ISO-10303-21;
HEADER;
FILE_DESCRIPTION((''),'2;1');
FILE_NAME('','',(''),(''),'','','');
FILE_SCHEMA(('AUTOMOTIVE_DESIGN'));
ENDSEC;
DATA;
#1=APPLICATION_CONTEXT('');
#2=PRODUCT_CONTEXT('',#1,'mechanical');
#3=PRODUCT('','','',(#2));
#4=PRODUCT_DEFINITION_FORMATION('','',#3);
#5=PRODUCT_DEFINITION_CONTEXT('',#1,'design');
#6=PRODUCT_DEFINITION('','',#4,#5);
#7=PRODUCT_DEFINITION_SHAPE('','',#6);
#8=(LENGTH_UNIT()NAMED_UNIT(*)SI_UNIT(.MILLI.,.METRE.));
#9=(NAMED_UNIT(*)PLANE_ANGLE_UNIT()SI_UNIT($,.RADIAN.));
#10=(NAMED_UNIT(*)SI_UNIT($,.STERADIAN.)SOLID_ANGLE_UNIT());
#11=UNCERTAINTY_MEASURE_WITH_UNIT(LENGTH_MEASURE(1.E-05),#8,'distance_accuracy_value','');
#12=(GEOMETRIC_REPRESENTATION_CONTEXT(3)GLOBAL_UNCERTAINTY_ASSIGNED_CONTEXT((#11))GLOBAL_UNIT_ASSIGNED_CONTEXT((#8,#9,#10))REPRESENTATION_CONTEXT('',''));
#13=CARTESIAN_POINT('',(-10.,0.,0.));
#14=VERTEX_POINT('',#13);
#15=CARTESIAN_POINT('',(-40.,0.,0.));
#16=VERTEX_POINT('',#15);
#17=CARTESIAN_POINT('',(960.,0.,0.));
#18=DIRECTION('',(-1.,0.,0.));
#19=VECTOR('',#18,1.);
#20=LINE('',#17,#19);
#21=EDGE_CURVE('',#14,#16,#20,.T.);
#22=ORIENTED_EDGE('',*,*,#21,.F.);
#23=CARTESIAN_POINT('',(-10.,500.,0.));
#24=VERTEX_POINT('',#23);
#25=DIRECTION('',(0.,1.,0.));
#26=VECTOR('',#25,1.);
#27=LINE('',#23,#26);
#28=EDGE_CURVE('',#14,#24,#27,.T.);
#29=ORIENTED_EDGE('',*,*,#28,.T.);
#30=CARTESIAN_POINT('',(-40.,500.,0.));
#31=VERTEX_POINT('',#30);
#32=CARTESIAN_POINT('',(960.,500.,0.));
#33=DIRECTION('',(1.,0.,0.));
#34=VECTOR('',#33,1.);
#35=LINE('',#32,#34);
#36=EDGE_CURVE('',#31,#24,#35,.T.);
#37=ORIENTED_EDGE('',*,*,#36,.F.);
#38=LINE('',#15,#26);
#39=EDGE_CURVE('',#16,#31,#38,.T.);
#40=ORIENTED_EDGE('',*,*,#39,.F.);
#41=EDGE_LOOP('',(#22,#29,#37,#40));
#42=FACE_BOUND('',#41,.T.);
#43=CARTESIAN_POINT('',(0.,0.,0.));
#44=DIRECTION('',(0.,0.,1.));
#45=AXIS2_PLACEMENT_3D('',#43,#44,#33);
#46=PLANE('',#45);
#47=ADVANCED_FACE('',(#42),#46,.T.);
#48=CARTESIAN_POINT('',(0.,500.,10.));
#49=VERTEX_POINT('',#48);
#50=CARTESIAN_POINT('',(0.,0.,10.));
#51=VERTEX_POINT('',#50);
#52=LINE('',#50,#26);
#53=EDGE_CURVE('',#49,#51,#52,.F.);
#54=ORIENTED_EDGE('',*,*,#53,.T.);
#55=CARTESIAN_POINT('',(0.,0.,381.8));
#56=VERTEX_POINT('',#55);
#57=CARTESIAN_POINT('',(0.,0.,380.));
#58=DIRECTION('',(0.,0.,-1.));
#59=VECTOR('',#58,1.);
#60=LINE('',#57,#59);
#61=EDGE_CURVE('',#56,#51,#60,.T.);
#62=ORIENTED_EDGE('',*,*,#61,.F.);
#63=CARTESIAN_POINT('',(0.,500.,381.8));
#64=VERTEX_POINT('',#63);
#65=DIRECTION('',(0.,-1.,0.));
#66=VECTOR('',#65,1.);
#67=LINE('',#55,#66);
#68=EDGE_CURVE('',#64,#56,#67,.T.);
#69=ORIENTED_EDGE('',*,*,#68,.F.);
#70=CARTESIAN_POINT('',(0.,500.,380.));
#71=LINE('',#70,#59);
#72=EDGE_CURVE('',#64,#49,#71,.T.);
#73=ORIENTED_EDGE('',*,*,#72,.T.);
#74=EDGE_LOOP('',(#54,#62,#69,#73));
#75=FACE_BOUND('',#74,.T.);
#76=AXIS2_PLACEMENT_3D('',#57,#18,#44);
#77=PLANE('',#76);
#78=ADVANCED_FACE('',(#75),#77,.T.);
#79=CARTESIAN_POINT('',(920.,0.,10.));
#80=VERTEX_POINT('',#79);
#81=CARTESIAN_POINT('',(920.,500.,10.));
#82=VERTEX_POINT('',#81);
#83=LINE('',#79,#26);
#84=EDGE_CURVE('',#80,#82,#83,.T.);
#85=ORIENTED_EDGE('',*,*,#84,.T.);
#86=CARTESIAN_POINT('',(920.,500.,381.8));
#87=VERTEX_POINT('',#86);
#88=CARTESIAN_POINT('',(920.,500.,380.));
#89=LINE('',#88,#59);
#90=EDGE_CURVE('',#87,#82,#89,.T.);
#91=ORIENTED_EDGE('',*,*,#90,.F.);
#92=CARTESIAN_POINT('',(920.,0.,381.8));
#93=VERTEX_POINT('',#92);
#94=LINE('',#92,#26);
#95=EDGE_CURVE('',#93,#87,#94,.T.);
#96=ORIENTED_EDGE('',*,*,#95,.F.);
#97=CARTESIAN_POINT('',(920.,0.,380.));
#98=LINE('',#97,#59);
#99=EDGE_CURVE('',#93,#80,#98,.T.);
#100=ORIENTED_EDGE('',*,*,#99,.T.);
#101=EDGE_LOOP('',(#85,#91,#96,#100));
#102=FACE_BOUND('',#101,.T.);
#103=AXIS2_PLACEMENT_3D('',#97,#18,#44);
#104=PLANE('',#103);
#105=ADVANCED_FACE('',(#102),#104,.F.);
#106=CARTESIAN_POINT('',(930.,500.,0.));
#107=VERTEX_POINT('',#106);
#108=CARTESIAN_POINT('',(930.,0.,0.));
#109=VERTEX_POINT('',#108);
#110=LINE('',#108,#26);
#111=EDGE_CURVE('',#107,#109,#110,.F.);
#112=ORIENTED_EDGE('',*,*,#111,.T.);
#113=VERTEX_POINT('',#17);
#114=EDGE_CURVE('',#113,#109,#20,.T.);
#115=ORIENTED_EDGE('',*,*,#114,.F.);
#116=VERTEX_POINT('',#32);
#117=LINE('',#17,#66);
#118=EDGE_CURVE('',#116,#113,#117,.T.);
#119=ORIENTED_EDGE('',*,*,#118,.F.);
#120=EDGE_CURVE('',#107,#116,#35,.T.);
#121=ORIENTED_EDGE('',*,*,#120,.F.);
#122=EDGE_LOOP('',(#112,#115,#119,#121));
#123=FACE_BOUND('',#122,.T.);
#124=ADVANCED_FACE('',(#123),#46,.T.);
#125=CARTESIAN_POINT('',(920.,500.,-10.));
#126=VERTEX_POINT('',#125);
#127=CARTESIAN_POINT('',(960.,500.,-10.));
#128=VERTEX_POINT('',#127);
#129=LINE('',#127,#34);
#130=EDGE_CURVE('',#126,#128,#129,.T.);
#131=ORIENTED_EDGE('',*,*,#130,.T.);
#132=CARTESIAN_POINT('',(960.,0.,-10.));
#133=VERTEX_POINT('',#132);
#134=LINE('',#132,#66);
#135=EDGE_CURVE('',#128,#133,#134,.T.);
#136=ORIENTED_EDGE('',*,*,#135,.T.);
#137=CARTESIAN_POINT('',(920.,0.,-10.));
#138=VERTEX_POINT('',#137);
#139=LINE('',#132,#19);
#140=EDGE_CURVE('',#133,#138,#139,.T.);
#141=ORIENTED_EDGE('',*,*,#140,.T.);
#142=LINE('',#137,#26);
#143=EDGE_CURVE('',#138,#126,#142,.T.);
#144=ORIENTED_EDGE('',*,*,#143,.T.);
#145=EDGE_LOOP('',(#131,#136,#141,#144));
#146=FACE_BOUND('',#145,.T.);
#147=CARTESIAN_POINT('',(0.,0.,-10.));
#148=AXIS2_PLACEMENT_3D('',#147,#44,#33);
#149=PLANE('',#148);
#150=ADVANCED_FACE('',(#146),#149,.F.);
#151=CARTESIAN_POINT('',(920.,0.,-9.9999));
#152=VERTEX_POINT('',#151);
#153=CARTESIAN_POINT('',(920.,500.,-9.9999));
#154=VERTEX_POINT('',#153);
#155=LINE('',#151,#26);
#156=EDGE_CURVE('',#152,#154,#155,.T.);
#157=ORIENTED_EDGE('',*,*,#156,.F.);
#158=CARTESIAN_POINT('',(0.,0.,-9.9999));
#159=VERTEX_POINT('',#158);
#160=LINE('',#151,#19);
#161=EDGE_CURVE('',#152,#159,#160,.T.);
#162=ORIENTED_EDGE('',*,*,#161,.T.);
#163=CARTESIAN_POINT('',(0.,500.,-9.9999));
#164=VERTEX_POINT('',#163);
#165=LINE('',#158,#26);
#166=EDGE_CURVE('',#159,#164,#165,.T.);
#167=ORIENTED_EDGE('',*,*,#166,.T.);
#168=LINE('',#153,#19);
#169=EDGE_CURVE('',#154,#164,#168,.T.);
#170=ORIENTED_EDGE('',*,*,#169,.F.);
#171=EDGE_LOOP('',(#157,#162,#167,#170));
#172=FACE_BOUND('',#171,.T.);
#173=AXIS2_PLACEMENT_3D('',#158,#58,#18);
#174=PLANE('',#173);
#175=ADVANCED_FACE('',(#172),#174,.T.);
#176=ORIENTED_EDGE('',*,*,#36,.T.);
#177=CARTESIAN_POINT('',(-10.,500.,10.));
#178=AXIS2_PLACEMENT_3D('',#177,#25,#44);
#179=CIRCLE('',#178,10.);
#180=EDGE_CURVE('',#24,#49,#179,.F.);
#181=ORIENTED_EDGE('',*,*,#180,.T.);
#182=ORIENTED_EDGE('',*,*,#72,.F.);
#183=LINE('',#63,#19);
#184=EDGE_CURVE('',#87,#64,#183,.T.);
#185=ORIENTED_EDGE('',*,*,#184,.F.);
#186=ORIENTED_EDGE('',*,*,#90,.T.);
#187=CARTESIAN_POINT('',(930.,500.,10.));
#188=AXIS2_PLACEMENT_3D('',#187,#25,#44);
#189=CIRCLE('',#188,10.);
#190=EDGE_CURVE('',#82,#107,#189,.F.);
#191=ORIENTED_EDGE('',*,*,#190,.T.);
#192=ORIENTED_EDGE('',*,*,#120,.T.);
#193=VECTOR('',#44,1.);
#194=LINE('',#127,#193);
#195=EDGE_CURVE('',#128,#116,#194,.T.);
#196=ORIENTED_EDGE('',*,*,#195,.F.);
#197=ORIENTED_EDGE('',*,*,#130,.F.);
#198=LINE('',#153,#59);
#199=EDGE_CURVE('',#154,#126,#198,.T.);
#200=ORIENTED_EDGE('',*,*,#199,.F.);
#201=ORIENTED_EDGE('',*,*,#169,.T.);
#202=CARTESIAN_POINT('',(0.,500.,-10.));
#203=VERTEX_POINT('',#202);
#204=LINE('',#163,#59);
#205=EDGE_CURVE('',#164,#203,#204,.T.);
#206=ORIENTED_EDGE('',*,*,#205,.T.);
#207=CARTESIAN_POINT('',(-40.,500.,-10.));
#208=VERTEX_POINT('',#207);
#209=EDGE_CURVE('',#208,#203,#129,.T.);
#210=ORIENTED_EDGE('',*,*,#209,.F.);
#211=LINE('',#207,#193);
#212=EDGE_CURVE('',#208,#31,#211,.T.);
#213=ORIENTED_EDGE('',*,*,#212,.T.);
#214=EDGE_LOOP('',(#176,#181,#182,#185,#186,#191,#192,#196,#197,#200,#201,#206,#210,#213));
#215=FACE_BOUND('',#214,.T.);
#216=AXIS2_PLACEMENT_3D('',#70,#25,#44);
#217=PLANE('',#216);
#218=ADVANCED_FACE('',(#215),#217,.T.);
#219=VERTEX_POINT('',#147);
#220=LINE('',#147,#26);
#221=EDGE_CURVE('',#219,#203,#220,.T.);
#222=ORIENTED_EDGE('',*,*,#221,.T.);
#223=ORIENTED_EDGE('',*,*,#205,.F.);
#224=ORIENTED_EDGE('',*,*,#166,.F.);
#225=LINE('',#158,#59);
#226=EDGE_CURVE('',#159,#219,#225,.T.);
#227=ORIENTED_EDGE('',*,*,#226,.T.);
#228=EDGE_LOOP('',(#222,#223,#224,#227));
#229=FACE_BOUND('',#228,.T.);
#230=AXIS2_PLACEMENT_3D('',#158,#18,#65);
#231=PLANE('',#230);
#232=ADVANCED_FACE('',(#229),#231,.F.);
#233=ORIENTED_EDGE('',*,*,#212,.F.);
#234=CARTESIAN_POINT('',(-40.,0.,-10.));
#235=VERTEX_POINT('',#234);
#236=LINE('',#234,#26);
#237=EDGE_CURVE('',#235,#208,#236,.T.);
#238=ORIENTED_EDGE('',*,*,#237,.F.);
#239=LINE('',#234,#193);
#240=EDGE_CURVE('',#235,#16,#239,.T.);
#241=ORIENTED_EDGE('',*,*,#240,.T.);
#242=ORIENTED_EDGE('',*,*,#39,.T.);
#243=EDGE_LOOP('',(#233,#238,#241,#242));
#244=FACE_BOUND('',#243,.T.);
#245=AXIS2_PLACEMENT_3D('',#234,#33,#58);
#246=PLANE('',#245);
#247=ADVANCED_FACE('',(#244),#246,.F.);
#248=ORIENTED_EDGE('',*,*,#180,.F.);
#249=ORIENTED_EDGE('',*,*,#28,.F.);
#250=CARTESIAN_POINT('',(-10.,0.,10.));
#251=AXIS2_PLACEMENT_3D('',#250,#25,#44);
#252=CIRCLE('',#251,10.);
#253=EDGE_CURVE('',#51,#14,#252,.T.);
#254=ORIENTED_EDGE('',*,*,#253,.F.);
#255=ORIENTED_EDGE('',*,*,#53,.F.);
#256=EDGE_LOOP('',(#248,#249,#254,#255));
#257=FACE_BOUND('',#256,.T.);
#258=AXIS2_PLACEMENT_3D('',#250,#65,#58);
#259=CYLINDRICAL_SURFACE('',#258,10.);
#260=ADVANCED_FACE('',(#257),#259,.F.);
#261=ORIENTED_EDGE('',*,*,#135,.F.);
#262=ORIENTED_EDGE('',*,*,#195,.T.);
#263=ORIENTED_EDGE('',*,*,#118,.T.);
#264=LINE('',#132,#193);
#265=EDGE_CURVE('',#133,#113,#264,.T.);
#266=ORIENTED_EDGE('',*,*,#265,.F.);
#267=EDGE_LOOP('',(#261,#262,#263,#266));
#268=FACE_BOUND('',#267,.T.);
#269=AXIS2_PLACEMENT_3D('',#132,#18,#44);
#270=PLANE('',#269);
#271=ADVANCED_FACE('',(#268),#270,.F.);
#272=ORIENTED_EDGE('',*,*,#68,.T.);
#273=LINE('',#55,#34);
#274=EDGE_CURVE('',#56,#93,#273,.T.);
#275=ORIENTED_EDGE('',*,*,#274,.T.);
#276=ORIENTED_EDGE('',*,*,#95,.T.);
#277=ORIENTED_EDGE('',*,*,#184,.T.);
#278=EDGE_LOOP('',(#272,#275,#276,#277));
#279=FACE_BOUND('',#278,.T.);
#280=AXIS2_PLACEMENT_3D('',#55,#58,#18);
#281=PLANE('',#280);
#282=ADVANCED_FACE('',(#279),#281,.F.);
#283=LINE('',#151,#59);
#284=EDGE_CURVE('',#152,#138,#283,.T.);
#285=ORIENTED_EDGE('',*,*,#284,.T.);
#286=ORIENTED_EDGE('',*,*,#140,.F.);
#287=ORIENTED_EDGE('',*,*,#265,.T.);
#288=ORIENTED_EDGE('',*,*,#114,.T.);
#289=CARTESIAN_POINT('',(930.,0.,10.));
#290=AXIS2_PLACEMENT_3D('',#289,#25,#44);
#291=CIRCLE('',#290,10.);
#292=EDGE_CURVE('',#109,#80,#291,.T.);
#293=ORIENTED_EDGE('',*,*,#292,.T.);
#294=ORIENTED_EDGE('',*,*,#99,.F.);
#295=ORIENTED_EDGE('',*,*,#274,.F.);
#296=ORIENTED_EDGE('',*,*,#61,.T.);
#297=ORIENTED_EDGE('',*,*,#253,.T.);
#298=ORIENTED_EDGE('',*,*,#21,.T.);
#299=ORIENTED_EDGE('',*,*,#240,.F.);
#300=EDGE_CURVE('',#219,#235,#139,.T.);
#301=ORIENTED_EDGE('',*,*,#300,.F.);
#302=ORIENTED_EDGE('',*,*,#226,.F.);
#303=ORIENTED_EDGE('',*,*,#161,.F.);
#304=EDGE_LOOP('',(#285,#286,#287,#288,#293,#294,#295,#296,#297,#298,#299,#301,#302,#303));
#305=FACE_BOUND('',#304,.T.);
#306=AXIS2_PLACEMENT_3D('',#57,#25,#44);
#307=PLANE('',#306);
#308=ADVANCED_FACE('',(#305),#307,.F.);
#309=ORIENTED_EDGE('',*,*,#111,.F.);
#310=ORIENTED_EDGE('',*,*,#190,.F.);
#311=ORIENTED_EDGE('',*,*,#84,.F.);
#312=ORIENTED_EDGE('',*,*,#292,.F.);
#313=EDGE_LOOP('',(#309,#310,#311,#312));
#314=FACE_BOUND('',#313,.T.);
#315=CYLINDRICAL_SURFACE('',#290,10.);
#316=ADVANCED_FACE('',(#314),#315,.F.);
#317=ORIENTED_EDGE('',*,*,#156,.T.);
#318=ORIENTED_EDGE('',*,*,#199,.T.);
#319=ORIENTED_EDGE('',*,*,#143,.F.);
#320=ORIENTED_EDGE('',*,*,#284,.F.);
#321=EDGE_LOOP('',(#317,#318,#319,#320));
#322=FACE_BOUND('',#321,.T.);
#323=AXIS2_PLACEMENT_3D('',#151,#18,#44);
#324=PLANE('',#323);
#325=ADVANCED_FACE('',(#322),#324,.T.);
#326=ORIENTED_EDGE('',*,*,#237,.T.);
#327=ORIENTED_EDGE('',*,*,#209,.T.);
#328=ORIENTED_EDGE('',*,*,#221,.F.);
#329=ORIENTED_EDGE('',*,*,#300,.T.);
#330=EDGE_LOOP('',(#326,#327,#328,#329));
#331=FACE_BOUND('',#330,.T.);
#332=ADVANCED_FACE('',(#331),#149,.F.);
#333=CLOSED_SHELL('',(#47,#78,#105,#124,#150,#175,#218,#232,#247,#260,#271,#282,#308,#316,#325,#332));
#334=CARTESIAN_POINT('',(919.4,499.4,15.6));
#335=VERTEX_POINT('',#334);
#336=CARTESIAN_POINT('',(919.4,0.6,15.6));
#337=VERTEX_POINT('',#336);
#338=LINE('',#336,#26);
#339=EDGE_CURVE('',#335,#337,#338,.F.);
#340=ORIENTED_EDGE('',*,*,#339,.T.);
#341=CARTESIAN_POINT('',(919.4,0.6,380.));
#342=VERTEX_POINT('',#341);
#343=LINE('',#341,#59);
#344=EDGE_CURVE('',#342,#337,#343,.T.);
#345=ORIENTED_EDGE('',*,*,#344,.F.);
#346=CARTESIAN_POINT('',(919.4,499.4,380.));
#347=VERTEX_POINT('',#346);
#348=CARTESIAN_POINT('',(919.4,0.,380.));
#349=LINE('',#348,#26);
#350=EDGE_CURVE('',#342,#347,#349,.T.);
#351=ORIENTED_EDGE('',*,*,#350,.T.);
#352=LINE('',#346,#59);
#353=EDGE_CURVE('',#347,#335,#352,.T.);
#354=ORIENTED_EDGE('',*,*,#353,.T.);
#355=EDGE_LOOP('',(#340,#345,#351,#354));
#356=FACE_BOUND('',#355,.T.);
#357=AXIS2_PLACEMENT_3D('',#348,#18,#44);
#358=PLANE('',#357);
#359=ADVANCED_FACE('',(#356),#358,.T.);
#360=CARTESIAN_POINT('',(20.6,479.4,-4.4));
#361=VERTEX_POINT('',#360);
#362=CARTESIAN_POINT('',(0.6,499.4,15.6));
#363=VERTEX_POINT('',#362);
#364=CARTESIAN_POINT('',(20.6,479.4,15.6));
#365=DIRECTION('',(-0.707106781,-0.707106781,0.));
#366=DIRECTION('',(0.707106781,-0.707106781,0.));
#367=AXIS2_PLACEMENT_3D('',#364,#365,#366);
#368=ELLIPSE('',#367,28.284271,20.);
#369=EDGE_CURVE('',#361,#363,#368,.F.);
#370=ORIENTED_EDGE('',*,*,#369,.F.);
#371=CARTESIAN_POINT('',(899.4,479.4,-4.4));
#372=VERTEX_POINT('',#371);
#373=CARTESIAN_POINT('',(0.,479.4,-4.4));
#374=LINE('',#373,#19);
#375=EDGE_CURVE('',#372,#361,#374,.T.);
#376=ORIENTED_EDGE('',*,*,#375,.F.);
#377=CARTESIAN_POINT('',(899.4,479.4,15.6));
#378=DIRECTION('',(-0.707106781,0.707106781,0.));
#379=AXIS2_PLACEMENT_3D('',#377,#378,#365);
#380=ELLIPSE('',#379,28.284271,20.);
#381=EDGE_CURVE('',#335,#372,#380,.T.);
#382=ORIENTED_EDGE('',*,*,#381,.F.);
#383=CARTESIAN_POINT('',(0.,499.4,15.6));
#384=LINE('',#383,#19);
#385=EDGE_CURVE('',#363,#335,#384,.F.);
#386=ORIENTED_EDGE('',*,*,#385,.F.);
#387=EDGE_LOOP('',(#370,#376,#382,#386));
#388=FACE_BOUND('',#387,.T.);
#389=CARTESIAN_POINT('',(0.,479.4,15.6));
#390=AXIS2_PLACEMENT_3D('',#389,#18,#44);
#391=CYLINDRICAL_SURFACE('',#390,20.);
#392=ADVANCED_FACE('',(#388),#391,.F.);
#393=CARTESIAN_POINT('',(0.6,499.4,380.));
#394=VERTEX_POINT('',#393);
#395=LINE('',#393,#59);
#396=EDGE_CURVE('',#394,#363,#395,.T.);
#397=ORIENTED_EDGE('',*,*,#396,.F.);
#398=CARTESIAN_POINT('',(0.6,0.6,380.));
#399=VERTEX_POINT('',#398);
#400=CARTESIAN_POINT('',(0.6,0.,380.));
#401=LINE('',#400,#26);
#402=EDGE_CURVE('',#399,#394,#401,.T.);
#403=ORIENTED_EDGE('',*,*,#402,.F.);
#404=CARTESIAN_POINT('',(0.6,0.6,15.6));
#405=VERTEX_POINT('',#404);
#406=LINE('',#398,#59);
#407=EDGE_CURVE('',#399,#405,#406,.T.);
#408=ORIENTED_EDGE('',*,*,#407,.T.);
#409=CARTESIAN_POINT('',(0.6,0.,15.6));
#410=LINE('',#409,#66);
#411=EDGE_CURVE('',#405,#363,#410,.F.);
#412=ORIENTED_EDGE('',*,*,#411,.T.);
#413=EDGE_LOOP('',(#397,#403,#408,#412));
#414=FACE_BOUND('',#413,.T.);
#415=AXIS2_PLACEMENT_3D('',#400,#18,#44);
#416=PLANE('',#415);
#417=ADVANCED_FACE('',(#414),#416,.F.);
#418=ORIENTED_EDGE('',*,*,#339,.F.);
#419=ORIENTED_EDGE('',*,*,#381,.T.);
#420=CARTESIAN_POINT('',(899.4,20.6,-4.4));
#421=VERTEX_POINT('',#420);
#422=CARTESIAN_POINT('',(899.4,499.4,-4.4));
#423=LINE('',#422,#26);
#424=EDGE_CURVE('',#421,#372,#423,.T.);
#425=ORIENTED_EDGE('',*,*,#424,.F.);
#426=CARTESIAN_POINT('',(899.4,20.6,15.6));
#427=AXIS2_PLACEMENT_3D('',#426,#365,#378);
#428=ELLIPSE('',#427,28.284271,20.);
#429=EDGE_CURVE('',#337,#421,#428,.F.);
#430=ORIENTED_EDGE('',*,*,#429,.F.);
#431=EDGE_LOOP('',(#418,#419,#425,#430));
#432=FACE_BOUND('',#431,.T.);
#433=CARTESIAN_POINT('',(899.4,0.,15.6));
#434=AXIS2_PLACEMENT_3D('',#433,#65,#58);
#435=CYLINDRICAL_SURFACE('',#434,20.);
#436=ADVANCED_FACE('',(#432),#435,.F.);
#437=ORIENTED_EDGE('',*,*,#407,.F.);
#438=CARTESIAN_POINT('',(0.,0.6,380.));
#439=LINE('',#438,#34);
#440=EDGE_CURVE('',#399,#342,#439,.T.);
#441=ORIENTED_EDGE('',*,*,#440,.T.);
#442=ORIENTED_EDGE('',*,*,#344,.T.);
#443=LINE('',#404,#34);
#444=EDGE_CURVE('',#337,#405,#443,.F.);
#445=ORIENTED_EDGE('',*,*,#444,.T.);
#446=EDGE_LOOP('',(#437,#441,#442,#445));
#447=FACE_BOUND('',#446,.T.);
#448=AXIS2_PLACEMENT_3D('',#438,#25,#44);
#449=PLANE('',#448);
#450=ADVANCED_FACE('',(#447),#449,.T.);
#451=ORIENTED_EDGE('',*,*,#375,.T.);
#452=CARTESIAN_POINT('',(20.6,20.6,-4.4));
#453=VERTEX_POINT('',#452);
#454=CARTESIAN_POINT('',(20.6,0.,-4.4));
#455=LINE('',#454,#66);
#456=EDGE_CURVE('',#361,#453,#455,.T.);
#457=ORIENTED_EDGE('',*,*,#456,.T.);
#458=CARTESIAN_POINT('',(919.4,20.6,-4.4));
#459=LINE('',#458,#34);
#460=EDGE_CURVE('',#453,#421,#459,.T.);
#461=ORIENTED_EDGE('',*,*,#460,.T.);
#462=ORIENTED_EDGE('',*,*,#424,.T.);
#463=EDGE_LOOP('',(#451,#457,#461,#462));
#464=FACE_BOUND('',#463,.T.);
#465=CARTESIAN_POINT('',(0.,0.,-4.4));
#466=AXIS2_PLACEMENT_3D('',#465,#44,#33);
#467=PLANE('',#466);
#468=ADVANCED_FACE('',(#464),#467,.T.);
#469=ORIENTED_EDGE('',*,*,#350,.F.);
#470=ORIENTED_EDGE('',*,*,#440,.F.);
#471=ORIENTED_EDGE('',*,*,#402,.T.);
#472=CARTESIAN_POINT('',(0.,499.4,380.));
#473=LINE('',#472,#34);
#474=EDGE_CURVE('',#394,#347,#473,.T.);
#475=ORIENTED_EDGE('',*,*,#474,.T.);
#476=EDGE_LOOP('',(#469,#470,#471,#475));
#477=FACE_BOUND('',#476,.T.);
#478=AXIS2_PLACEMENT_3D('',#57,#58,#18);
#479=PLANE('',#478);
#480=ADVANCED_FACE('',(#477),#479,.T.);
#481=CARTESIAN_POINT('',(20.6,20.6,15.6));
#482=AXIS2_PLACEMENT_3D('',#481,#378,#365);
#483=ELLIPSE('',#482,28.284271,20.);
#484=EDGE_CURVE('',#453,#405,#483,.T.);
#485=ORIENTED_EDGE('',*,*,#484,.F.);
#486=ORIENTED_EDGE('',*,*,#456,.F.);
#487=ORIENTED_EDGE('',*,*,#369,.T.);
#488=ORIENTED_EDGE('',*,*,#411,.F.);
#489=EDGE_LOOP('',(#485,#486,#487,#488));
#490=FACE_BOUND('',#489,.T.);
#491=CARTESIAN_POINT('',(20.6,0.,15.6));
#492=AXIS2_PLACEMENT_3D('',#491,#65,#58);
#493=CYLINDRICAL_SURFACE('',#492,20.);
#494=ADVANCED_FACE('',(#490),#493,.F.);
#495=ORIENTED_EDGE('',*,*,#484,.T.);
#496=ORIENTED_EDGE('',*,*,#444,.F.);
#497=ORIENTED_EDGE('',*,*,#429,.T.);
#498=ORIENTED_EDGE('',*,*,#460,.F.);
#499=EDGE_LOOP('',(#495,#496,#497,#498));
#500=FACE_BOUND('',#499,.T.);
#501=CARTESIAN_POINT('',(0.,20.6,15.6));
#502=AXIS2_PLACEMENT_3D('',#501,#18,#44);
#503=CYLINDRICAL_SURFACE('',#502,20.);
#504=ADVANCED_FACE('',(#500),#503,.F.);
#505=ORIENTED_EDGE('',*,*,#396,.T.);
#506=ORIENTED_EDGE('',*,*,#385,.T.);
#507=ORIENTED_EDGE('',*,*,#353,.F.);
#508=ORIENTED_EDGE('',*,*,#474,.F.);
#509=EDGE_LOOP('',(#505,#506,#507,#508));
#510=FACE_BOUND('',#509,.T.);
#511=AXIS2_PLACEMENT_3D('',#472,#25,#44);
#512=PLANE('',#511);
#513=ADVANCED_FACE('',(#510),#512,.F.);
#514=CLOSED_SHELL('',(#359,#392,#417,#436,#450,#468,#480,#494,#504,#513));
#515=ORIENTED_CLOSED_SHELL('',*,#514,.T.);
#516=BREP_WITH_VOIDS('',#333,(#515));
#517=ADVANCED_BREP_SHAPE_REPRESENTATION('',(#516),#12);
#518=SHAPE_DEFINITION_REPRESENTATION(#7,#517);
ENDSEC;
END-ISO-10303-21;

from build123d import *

# Parameters (mm, degrees)
IZIM1_W                     = 920
IZIM1_H                     = 500
Y_KSEKLIK_EKSTR_ZYON1_DEPTH = 380
BO_ALTMA1_T                 = -0.6
IZIM2_W                     = 920
IZIM2_H                     = 500
Y_KSEKLIK_EKSTR_ZYON2_DEPTH = 1.8
IZIM3_W                     = 1000
IZIM3_H                     = 500
Y_KSEKLIK_EKSTR_ZYON3_DEPTH = 10
RADYUS1_R                   = 10
IZIM4_W                     = 918.8
IZIM4_H                     = 498.8
KES_EKSTR_ZYON1_DEPTH       = 5
RADYUS2_R                   = 20
IZIM5_W                     = 920
IZIM5_H                     = 500
KES_EKSTR_ZYON2_DEPTH       = 0.0001


with BuildPart() as part:
    # Çizim1 → Yükseklik-Ekstrüzyon1 (new body)
    with BuildSketch(Plane.XY):
        with Locations((460, 250)):
            Rectangle(IZIM1_W, IZIM1_H)
    extrude(amount=Y_KSEKLIK_EKSTR_ZYON1_DEPTH)

    # İç Boşaltma1
    bo_altma1_openings = [part.faces().sort_by_distance(p)[0] for p in [
        (460, 250, 380),
    ]]
    offset(amount=BO_ALTMA1_T, openings=bo_altma1_openings, kind=Kind.INTERSECTION)

    # Çizim2 → Yükseklik-Ekstrüzyon2 (add)
    with BuildSketch(Plane.XY.offset(380)):
        with Locations((460, 250)):
            Rectangle(IZIM2_W, IZIM2_H)
    extrude(amount=Y_KSEKLIK_EKSTR_ZYON2_DEPTH)

    # Çizim3 → Yükseklik-Ekstrüzyon3 (add)
    with BuildSketch(Plane(origin=(0, 0, 0), x_dir=(-1, 0, 0), z_dir=(0, 0, -1))):
        with Locations((-460, 250)):
            Rectangle(IZIM3_W, IZIM3_H)
    extrude(amount=Y_KSEKLIK_EKSTR_ZYON3_DEPTH)

    # Radyus1
    radyus1_edges = [part.edges().sort_by_distance(p)[0] for p in [
        (0, 250, 0),
        (920, 250, 0),
    ]]
    fillet(radyus1_edges, radius=RADYUS1_R)

    # Çizim4 → Kes-Ekstrüzyon1 (cut)
    with BuildSketch(Plane.XY.offset(0.6)):
        with Locations((460, 250)):
            Rectangle(IZIM4_W, IZIM4_H)
    extrude(amount=-KES_EKSTR_ZYON1_DEPTH, mode=Mode.SUBTRACT)

    # Radyus2
    radyus2_edges = [part.edges().sort_by_distance(p)[0] for p in [
        (919.4, 250, -4.4),
        (460, 0.6, -4.4),
        (0.6, 250, -4.4),
        (460, 499.4, -4.4),
    ]]
    fillet(radyus2_edges, radius=RADYUS2_R)

    # Çizim5 → Kes-Ekstrüzyon2 (cut)
    with BuildSketch(Plane(origin=(0, 0, -10), x_dir=(-1, 0, 0), z_dir=(0, 0, -1))):
        with Locations((-460, 250)):
            Rectangle(IZIM5_W, IZIM5_H)
    extrude(amount=-KES_EKSTR_ZYON2_DEPTH, mode=Mode.SUBTRACT)


solid = part.part
